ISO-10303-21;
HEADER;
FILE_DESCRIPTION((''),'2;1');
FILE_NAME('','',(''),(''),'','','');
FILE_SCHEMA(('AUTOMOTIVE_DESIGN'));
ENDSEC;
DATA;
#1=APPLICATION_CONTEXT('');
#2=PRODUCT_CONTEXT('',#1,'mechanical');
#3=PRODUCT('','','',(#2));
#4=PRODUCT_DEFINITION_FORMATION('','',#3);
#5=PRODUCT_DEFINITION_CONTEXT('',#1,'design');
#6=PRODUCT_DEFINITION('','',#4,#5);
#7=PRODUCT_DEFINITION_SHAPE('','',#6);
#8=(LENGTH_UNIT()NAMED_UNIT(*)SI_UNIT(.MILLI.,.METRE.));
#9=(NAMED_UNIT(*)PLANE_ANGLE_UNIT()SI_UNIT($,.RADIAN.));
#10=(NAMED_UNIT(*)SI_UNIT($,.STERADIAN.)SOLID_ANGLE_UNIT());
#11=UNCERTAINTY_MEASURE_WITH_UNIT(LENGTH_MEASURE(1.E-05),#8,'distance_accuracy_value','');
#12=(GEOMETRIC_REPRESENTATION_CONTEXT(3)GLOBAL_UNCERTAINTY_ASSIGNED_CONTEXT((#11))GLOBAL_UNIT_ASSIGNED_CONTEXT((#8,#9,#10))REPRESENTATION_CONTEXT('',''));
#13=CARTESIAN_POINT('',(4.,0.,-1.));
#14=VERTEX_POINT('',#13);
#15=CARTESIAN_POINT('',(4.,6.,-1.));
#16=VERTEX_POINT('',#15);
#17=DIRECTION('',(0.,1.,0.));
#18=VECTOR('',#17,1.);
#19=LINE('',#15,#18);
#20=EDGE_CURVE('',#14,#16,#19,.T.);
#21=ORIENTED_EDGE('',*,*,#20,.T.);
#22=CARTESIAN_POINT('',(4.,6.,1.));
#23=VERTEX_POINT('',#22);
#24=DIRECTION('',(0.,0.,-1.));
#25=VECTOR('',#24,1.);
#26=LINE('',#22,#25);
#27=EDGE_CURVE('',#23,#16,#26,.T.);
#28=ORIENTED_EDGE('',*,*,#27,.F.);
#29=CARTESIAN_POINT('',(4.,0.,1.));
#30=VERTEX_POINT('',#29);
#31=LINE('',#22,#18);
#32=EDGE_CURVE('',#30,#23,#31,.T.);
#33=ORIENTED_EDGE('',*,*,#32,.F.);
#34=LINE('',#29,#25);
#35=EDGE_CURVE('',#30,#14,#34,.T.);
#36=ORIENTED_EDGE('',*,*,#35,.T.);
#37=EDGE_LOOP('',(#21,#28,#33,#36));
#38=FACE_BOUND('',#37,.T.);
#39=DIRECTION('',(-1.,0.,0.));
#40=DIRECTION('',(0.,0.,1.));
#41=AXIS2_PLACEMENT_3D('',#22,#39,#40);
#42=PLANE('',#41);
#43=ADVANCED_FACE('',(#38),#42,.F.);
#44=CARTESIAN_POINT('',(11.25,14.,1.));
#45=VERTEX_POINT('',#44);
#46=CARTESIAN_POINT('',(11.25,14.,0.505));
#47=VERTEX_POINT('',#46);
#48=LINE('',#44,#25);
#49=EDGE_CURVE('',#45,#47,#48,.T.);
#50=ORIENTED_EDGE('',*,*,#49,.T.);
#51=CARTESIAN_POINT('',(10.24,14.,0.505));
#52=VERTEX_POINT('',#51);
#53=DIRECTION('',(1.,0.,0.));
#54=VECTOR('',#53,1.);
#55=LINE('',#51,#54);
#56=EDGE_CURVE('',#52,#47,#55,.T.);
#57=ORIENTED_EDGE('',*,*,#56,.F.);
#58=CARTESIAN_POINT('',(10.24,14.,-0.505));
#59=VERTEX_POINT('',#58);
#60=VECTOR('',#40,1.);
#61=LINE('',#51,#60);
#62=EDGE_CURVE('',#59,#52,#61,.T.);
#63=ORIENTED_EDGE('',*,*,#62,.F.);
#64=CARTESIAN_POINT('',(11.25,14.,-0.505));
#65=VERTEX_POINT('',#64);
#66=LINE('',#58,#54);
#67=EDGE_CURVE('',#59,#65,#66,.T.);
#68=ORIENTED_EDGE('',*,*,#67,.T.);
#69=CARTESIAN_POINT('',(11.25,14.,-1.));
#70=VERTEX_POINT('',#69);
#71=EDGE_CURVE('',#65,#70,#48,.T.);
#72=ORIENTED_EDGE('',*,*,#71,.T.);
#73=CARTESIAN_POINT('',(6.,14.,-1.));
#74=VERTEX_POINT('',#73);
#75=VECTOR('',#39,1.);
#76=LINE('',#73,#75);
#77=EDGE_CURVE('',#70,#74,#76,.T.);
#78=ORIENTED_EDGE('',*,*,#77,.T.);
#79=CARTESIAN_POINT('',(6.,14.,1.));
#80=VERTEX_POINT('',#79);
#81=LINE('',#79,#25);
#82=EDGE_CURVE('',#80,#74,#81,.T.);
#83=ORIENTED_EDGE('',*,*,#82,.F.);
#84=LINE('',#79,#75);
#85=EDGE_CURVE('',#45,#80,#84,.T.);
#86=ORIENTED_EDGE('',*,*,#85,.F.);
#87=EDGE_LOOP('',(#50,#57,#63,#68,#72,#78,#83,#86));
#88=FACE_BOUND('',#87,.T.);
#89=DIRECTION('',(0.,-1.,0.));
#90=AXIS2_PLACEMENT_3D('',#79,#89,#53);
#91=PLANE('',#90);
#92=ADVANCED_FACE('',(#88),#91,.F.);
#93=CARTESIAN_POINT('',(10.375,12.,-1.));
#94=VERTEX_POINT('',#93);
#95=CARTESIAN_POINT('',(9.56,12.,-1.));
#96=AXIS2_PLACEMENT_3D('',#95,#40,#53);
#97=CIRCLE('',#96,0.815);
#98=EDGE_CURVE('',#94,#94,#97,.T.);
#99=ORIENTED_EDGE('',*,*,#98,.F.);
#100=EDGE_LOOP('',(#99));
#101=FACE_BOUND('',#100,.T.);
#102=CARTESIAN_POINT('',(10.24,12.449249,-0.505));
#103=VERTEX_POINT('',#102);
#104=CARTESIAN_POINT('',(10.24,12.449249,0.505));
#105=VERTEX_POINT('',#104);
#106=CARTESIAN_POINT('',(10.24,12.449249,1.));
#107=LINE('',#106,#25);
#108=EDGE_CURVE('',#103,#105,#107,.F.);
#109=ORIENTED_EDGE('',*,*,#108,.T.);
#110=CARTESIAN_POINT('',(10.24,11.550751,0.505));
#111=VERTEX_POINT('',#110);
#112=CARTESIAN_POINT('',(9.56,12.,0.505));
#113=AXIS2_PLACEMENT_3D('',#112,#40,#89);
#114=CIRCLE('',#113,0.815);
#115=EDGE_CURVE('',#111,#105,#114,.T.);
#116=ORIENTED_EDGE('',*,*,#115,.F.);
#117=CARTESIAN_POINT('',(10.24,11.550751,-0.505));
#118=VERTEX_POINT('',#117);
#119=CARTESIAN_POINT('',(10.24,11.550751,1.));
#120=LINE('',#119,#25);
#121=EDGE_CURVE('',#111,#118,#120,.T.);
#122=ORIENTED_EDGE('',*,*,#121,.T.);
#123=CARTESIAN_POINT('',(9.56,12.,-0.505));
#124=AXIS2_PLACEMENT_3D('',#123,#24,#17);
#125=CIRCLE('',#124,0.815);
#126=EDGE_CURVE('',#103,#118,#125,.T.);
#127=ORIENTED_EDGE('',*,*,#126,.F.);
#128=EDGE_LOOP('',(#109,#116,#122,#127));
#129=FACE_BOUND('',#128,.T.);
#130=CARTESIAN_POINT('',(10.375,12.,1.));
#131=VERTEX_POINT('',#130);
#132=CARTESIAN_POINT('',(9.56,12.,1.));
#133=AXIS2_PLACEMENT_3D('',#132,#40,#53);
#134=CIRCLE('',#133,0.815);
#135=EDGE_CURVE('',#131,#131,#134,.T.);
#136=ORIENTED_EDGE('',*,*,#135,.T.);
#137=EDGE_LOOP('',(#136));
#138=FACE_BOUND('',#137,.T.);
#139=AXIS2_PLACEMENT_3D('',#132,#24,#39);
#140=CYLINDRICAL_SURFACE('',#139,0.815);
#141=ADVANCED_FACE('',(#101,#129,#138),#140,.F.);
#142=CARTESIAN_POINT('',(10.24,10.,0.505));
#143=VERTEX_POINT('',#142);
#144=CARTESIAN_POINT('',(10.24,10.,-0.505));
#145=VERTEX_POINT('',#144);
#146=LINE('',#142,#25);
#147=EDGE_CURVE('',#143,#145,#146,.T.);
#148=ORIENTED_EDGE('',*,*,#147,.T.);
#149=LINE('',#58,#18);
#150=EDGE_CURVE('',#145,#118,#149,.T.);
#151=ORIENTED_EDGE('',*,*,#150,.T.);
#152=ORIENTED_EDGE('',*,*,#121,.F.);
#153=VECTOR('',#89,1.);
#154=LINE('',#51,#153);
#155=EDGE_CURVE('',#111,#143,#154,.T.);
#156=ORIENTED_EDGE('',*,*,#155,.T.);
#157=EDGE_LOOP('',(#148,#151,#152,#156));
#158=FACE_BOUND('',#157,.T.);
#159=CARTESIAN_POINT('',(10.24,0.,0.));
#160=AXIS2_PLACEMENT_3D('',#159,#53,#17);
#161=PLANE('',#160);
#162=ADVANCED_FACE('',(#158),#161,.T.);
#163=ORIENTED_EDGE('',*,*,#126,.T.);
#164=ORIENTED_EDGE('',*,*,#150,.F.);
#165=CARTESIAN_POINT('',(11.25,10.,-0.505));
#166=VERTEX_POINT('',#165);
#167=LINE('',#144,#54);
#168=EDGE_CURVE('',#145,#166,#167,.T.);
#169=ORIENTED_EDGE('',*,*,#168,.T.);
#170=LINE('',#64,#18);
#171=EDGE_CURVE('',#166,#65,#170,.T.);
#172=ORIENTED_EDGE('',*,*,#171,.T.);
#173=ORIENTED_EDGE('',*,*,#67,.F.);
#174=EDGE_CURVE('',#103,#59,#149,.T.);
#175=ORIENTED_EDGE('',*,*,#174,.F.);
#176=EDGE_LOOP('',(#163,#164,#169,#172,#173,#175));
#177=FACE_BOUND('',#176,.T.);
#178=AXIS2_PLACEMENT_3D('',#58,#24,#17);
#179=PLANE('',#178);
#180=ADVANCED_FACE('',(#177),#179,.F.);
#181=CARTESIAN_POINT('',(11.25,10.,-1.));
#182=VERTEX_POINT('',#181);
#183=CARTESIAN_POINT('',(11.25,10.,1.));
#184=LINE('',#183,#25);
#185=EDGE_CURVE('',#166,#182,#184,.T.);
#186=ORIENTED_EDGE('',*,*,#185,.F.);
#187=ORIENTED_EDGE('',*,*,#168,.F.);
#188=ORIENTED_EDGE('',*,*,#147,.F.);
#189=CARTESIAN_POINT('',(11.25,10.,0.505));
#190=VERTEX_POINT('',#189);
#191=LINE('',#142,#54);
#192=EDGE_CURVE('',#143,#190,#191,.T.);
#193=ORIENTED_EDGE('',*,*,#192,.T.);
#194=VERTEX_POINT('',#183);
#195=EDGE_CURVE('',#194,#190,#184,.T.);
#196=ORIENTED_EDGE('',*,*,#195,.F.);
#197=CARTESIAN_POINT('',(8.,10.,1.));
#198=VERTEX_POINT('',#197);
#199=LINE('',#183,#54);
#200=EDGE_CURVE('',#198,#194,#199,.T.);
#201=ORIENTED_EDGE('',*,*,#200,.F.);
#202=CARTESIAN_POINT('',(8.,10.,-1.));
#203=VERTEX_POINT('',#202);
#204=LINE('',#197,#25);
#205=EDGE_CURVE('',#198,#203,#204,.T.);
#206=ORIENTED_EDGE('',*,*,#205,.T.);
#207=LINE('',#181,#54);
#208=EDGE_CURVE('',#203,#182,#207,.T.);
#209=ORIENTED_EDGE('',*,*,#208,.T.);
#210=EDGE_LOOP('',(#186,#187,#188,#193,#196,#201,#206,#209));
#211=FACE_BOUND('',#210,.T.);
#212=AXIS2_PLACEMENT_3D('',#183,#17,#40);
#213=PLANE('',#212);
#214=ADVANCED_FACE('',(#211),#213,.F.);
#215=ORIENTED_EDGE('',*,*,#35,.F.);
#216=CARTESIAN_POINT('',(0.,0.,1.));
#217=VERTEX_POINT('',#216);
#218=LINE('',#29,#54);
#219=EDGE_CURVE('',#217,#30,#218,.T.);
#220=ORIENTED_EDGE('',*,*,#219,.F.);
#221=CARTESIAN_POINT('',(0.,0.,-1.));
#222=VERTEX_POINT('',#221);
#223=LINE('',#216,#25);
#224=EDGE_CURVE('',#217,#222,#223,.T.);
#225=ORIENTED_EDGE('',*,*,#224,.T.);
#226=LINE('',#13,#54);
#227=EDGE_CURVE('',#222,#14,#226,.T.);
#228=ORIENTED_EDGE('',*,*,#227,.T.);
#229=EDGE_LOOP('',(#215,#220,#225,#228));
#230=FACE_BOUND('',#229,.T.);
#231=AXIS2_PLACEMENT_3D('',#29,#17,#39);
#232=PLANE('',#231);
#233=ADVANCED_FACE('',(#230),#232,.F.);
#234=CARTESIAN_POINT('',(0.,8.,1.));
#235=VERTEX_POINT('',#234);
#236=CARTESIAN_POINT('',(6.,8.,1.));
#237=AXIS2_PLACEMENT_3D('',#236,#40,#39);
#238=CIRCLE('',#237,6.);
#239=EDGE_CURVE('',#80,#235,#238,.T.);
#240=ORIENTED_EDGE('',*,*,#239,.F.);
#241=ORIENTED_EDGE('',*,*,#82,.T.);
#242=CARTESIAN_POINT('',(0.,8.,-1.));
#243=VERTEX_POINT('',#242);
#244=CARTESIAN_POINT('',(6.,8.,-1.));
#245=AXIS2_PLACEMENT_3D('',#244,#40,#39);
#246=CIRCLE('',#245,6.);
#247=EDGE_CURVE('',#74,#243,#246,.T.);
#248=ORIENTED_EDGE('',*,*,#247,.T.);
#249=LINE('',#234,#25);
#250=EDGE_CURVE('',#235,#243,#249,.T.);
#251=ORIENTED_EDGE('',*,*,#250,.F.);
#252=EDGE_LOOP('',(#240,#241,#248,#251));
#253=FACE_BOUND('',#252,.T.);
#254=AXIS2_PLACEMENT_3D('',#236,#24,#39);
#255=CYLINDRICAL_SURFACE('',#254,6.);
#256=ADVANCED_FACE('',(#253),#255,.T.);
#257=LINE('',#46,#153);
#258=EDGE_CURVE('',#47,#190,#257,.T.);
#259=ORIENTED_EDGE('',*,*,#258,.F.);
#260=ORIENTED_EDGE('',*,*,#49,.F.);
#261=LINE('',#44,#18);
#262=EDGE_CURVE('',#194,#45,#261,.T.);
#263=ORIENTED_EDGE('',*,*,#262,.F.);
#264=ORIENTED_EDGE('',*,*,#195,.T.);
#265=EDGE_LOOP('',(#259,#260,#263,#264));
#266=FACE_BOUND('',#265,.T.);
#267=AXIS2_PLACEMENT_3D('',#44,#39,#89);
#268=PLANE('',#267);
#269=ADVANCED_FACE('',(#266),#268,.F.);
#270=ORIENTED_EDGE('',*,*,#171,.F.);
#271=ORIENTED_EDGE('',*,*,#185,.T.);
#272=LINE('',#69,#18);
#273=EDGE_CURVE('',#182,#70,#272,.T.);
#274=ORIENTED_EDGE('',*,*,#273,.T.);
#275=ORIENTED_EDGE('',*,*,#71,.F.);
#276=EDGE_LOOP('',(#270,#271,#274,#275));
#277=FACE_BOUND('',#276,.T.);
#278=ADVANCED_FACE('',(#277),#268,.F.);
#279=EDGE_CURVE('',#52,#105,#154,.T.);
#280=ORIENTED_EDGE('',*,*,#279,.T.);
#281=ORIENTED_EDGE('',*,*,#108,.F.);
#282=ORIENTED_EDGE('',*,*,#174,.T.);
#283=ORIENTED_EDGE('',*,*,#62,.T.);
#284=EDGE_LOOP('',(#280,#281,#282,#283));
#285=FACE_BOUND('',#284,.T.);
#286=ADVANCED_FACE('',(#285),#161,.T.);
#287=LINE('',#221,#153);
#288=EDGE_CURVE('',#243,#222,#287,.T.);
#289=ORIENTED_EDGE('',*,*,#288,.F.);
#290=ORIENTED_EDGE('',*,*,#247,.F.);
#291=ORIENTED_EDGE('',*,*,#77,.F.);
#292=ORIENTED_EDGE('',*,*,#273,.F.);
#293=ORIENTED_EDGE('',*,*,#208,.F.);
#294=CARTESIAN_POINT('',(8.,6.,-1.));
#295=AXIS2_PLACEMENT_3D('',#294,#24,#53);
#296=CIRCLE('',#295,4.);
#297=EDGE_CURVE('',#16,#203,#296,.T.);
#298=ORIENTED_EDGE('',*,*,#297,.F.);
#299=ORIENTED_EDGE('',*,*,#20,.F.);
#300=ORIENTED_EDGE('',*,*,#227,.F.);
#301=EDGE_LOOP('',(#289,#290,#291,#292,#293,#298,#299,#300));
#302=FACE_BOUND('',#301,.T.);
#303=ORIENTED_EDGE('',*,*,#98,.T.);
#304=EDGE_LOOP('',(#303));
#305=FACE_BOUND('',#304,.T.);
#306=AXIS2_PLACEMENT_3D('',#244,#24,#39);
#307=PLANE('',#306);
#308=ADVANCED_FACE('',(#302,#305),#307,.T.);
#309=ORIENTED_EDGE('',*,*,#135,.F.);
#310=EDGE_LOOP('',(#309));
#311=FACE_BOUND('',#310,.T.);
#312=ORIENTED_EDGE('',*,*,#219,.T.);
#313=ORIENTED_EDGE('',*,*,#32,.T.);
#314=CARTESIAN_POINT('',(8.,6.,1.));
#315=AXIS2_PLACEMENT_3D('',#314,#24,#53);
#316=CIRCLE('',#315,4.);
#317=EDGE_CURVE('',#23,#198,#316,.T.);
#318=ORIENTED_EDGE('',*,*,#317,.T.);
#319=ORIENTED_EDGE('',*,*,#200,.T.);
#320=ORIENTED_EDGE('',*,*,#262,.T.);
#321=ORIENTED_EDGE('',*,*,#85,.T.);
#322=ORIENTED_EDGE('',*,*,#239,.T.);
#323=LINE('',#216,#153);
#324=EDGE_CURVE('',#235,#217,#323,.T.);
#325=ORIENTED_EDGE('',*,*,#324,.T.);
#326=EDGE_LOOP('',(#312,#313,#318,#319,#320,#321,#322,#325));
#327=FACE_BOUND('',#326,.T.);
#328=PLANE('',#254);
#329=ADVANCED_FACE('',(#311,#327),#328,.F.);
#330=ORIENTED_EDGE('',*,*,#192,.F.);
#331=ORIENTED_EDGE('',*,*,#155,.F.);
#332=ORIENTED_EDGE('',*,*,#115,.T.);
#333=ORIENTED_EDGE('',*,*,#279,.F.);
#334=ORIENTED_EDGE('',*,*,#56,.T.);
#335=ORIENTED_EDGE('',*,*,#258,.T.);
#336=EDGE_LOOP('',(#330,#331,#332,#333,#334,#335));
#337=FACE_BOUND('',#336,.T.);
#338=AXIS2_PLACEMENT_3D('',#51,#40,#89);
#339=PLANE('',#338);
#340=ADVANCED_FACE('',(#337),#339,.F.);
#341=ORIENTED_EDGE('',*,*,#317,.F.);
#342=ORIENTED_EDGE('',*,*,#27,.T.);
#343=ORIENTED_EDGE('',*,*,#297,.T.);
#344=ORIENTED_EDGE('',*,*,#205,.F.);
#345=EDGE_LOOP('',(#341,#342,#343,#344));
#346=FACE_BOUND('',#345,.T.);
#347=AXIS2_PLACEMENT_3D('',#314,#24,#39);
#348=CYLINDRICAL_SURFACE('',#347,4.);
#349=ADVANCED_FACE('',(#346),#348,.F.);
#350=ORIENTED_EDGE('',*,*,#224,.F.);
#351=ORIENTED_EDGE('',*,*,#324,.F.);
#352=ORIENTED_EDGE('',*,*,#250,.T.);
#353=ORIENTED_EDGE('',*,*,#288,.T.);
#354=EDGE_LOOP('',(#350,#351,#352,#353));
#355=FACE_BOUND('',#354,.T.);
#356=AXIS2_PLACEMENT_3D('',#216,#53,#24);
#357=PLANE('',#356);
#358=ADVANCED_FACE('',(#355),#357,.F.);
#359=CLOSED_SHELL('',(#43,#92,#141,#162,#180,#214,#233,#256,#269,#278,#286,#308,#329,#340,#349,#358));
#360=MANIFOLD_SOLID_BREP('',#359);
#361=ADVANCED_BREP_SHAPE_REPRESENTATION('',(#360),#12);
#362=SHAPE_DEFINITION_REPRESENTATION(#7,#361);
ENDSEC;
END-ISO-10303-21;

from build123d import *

# Parameters (mm, degrees)
SKETCH1_R           = 0.815
BOSS_EXTRUDE1_DEPTH = 1
SKETCH2_W           = 1.01
SKETCH2_H           = 4
CUT_EXTRUDE1_DEPTH  = 1.01


with BuildPart() as part:
    # Sketch1 → Boss-Extrude1 (new, symmetric)
    with BuildSketch(Plane.XY):
        with BuildLine():
            Line((0, 0), (0, 8))
            ThreePointArc((0, 8), (1.757359313, 12.242640687), (6, 14))
            Line((6, 14), (11.25, 14))
            Line((11.25, 14), (11.25, 10))
            Line((11.25, 10), (8, 10))
            ThreePointArc((8, 10), (5.171572875, 8.828427125), (4, 6))
            Line((4, 6), (4, 0))
            Line((4, 0), (0, 0))
        make_face()
        with Locations((9.56, 12)):
            Circle(SKETCH1_R, mode=Mode.SUBTRACT)
    extrude(amount=BOSS_EXTRUDE1_DEPTH, both=True)

    # Sketch2 → Cut-Extrude1 (cut)
    with BuildSketch(Plane(origin=(11.25, 0, 0), x_dir=(0, 0, -1), z_dir=(1, 0, 0))):
        with Locations((0, 12)):
            Rectangle(SKETCH2_W, SKETCH2_H)
    extrude(amount=-CUT_EXTRUDE1_DEPTH, mode=Mode.SUBTRACT)


solid = part.part
